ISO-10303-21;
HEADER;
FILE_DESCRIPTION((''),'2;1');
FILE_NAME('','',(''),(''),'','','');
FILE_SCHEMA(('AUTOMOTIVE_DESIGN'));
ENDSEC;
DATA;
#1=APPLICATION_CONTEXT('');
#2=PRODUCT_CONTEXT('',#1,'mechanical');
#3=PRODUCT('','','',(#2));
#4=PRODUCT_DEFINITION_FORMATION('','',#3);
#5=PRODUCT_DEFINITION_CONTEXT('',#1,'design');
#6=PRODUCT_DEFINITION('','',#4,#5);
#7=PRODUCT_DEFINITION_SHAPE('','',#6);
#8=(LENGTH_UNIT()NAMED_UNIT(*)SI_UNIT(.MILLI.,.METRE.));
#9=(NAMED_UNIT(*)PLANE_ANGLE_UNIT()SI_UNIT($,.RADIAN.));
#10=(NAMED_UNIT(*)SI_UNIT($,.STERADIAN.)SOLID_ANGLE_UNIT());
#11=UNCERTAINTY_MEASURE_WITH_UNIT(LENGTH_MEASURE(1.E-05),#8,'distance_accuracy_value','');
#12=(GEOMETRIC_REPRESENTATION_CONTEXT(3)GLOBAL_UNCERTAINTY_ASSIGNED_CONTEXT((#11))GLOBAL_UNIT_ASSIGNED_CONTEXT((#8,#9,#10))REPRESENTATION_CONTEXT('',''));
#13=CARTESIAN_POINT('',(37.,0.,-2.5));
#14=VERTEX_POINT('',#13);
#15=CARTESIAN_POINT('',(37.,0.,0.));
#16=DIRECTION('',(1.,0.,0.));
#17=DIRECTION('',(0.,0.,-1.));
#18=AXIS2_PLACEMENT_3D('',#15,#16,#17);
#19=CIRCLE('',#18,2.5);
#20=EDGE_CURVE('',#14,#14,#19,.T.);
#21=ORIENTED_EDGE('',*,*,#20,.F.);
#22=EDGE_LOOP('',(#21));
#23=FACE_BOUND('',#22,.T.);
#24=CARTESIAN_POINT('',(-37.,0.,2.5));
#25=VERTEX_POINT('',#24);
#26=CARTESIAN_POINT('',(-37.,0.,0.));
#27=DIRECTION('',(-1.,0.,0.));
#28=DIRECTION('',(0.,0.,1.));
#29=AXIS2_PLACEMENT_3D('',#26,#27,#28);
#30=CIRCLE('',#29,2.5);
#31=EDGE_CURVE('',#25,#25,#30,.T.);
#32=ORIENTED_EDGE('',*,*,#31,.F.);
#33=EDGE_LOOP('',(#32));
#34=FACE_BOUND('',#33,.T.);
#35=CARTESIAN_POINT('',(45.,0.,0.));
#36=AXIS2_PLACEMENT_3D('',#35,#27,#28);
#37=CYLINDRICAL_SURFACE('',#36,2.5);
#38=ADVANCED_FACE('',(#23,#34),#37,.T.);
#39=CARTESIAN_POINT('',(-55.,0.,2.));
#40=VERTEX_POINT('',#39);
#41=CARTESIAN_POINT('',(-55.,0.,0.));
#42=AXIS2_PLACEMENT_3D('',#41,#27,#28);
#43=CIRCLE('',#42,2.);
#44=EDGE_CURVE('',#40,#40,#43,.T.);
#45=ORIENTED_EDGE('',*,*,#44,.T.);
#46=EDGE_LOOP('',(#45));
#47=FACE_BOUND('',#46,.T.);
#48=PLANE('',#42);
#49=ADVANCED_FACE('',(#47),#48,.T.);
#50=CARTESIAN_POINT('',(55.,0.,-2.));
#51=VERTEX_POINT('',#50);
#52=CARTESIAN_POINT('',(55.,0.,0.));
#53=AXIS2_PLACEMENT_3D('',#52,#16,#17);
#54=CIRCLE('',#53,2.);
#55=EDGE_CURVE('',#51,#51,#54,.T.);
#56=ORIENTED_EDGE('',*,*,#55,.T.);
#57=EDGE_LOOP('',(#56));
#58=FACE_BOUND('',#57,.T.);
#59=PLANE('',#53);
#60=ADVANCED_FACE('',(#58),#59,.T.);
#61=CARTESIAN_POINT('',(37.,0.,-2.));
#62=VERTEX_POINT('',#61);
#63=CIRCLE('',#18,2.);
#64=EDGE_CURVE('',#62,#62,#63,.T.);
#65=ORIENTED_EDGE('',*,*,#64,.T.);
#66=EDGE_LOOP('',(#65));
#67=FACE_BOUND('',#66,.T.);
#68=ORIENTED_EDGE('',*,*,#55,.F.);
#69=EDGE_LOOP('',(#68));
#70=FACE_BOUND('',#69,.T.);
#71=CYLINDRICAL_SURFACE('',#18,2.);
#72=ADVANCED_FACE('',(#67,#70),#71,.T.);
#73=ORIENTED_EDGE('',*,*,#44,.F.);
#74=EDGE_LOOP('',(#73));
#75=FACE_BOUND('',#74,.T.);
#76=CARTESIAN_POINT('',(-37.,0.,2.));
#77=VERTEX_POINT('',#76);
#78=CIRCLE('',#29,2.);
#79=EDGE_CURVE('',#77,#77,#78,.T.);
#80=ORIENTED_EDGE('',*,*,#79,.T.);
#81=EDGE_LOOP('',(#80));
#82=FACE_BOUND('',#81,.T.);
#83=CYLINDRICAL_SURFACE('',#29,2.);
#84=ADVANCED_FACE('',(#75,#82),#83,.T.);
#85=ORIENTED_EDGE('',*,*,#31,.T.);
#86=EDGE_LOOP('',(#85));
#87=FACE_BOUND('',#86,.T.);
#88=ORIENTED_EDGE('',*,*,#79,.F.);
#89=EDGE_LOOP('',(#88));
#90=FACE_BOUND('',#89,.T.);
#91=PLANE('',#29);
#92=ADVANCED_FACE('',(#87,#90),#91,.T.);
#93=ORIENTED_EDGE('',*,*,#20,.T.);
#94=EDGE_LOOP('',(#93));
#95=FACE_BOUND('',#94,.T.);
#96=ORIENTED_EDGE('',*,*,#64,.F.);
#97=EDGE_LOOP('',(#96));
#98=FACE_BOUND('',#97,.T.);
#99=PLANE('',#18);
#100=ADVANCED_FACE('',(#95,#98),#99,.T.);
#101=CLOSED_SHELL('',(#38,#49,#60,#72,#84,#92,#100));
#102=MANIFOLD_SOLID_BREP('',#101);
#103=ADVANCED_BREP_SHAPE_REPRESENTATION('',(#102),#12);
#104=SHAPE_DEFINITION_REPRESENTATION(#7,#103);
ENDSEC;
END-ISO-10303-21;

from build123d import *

# Parameters (mm, degrees)
SKETCH1_R           = 2.5
BOSS_EXTRUDE1_DEPTH = 45
SKETCH2_R           = 2.5
SKETCH2_R_2         = 2
CUT_EXTRUDE1_DEPTH  = 8
SKETCH3_R           = 2.5
SKETCH3_R_2         = 2
CUT_EXTRUDE2_DEPTH  = 8
SKETCH4_R           = 2
BOSS_EXTRUDE2_DEPTH = 10
SKETCH5_R           = 2
BOSS_EXTRUDE3_DEPTH = 10


with BuildPart() as part:
    # Sketch1 → Boss-Extrude1 (new body, symmetric)
    with BuildSketch(Plane(origin=(0, 0, 0), x_dir=(0, 0, -1), z_dir=(1, 0, 0))):
        Circle(SKETCH1_R)
    extrude(amount=BOSS_EXTRUDE1_DEPTH, both=True)

    # Sketch2 → Cut-Extrude1 (cut)
    with BuildSketch(Plane(origin=(45, 0, 0), x_dir=(0, 0, -1), z_dir=(1, 0, 0))):
        Circle(SKETCH2_R)
        Circle(SKETCH2_R_2, mode=Mode.SUBTRACT)
    extrude(amount=-CUT_EXTRUDE1_DEPTH, mode=Mode.SUBTRACT)

    # Sketch3 → Cut-Extrude2 (cut)
    with BuildSketch(Plane.ZY.offset(45)):
        Circle(SKETCH3_R)
        Circle(SKETCH3_R_2, mode=Mode.SUBTRACT)
    extrude(amount=-CUT_EXTRUDE2_DEPTH, mode=Mode.SUBTRACT)

    # Sketch4 → Boss-Extrude2 (add)
    with BuildSketch(Plane(origin=(45, 0, 0), x_dir=(0, 0, -1), z_dir=(1, 0, 0))):
        Circle(SKETCH4_R)
    extrude(amount=BOSS_EXTRUDE2_DEPTH)

    # Sketch5 → Boss-Extrude3 (add)
    with BuildSketch(Plane.ZY.offset(45)):
        Circle(SKETCH5_R)
    extrude(amount=BOSS_EXTRUDE3_DEPTH)


solid = part.part
